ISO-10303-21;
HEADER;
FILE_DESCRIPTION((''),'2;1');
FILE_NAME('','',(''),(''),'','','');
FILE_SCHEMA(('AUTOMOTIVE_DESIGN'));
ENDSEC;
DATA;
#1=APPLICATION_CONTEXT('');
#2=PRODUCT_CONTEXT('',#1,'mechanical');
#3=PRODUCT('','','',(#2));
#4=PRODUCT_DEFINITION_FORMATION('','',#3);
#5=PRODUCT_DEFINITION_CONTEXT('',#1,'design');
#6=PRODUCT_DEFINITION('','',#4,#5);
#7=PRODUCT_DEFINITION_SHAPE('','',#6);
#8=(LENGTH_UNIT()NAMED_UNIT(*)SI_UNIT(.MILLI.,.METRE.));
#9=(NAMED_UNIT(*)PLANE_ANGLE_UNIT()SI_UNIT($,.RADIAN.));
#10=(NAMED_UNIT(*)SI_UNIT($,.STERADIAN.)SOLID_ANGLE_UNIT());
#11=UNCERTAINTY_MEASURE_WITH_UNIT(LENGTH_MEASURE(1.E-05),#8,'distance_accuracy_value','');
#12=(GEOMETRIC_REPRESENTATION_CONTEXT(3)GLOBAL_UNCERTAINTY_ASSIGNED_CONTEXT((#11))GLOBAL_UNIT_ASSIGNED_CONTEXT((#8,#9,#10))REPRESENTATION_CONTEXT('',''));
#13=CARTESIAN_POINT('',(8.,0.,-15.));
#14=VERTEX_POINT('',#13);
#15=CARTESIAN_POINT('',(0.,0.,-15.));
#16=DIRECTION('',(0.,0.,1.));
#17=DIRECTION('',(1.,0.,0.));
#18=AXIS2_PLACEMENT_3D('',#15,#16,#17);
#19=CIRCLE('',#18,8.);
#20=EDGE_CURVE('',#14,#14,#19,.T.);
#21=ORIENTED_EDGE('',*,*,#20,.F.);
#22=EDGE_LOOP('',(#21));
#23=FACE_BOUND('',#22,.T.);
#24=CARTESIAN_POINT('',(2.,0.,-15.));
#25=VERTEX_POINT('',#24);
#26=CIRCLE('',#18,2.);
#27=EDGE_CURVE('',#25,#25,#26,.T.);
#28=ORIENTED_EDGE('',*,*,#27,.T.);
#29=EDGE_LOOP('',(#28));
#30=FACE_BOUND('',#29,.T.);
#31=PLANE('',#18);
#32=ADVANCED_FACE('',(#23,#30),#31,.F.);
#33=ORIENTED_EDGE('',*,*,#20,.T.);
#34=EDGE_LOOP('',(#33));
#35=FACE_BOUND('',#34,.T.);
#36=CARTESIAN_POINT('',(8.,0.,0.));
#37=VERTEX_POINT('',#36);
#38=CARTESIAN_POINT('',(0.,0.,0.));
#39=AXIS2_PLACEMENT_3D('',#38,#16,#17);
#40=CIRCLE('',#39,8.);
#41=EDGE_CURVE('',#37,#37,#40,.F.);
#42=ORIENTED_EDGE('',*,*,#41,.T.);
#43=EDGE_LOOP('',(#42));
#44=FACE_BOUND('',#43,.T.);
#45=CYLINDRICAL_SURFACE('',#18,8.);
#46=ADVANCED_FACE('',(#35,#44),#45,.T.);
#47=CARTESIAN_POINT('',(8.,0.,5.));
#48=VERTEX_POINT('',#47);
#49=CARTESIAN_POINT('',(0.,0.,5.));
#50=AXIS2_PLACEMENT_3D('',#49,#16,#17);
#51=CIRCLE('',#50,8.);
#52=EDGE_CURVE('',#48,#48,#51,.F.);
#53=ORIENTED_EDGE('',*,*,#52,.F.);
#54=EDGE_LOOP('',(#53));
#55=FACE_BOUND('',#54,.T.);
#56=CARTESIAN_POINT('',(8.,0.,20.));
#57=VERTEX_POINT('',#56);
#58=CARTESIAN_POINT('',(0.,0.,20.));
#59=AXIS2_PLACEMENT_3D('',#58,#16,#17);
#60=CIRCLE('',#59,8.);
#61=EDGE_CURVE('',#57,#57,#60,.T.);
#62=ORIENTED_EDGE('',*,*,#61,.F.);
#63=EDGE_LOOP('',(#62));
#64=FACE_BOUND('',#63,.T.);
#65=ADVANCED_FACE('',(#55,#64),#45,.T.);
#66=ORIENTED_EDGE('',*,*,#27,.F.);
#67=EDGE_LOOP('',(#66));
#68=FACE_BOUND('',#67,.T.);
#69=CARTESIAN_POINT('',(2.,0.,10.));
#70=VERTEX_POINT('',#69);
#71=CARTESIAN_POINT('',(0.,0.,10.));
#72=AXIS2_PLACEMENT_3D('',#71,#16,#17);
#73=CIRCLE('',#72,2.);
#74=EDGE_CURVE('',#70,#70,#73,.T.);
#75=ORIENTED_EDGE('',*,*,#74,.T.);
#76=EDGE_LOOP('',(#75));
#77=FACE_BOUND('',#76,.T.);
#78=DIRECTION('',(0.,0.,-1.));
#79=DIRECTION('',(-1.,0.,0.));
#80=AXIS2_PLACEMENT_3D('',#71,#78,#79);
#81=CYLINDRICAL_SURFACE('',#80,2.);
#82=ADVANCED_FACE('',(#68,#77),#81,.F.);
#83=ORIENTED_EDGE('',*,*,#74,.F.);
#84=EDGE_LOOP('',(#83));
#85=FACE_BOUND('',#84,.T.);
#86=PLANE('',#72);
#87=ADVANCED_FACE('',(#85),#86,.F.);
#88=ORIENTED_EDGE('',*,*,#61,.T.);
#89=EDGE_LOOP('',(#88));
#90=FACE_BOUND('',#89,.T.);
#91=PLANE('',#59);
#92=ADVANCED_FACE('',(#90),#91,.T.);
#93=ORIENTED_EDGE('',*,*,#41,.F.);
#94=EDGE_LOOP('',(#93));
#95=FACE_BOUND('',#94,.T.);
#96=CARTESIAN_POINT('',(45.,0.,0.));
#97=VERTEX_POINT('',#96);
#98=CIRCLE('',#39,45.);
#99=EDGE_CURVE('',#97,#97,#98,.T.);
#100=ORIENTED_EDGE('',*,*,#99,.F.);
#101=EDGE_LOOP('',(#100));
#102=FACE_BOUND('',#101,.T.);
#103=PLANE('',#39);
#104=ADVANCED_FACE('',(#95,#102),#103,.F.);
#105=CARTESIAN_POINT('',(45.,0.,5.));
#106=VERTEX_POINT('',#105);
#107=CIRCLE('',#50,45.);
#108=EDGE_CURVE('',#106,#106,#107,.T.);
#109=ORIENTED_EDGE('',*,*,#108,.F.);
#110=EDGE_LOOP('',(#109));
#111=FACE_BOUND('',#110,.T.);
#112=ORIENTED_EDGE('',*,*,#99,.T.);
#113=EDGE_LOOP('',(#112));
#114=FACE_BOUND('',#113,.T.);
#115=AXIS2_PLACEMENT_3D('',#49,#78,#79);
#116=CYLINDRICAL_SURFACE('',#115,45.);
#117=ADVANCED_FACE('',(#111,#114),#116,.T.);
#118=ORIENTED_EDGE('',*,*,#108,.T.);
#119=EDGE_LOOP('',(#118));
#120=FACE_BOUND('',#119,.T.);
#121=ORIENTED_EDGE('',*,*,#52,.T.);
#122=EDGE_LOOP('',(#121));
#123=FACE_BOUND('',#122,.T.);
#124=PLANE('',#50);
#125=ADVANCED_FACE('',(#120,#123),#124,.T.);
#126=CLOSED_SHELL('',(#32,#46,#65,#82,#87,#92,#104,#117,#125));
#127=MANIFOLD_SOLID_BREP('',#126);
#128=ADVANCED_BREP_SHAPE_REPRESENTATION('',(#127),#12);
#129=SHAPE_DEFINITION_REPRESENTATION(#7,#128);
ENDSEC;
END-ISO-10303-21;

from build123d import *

# Parameters (mm, degrees)
SKETCH1_R                = 8
BOSS_EXTRUDE1_DEPTH      = 20
BOSS_EXTRUDE1_DEPTH_BACK = 15
SKETCH2_R                = 45
BOSS_EXTRUDE2_DEPTH      = 5
SKETCH3_R                = 2
CUT_EXTRUDE1_DEPTH       = 10
CUT_EXTRUDE1_DEPTH_BACK  = 15


with BuildPart() as part:
    # Sketch1 → Boss-Extrude1 (new body, two sides)
    with BuildSketch(Plane.XY) as boss_extrude1_sk:
        Circle(SKETCH1_R)
    extrude(amount=BOSS_EXTRUDE1_DEPTH)
    extrude(boss_extrude1_sk.sketch, amount=-BOSS_EXTRUDE1_DEPTH_BACK)

    # Sketch2 → Boss-Extrude2 (add)
    with BuildSketch(Plane.XY):
        Circle(SKETCH2_R)
    extrude(amount=BOSS_EXTRUDE2_DEPTH)

    # Sketch3 → Cut-Extrude1 (cut, two sides)
    with BuildSketch(Plane.XY) as cut_extrude1_sk:
        Circle(SKETCH3_R)
    extrude(amount=CUT_EXTRUDE1_DEPTH, mode=Mode.SUBTRACT)
    extrude(cut_extrude1_sk.sketch, amount=-CUT_EXTRUDE1_DEPTH_BACK, mode=Mode.SUBTRACT)


solid = part.part
